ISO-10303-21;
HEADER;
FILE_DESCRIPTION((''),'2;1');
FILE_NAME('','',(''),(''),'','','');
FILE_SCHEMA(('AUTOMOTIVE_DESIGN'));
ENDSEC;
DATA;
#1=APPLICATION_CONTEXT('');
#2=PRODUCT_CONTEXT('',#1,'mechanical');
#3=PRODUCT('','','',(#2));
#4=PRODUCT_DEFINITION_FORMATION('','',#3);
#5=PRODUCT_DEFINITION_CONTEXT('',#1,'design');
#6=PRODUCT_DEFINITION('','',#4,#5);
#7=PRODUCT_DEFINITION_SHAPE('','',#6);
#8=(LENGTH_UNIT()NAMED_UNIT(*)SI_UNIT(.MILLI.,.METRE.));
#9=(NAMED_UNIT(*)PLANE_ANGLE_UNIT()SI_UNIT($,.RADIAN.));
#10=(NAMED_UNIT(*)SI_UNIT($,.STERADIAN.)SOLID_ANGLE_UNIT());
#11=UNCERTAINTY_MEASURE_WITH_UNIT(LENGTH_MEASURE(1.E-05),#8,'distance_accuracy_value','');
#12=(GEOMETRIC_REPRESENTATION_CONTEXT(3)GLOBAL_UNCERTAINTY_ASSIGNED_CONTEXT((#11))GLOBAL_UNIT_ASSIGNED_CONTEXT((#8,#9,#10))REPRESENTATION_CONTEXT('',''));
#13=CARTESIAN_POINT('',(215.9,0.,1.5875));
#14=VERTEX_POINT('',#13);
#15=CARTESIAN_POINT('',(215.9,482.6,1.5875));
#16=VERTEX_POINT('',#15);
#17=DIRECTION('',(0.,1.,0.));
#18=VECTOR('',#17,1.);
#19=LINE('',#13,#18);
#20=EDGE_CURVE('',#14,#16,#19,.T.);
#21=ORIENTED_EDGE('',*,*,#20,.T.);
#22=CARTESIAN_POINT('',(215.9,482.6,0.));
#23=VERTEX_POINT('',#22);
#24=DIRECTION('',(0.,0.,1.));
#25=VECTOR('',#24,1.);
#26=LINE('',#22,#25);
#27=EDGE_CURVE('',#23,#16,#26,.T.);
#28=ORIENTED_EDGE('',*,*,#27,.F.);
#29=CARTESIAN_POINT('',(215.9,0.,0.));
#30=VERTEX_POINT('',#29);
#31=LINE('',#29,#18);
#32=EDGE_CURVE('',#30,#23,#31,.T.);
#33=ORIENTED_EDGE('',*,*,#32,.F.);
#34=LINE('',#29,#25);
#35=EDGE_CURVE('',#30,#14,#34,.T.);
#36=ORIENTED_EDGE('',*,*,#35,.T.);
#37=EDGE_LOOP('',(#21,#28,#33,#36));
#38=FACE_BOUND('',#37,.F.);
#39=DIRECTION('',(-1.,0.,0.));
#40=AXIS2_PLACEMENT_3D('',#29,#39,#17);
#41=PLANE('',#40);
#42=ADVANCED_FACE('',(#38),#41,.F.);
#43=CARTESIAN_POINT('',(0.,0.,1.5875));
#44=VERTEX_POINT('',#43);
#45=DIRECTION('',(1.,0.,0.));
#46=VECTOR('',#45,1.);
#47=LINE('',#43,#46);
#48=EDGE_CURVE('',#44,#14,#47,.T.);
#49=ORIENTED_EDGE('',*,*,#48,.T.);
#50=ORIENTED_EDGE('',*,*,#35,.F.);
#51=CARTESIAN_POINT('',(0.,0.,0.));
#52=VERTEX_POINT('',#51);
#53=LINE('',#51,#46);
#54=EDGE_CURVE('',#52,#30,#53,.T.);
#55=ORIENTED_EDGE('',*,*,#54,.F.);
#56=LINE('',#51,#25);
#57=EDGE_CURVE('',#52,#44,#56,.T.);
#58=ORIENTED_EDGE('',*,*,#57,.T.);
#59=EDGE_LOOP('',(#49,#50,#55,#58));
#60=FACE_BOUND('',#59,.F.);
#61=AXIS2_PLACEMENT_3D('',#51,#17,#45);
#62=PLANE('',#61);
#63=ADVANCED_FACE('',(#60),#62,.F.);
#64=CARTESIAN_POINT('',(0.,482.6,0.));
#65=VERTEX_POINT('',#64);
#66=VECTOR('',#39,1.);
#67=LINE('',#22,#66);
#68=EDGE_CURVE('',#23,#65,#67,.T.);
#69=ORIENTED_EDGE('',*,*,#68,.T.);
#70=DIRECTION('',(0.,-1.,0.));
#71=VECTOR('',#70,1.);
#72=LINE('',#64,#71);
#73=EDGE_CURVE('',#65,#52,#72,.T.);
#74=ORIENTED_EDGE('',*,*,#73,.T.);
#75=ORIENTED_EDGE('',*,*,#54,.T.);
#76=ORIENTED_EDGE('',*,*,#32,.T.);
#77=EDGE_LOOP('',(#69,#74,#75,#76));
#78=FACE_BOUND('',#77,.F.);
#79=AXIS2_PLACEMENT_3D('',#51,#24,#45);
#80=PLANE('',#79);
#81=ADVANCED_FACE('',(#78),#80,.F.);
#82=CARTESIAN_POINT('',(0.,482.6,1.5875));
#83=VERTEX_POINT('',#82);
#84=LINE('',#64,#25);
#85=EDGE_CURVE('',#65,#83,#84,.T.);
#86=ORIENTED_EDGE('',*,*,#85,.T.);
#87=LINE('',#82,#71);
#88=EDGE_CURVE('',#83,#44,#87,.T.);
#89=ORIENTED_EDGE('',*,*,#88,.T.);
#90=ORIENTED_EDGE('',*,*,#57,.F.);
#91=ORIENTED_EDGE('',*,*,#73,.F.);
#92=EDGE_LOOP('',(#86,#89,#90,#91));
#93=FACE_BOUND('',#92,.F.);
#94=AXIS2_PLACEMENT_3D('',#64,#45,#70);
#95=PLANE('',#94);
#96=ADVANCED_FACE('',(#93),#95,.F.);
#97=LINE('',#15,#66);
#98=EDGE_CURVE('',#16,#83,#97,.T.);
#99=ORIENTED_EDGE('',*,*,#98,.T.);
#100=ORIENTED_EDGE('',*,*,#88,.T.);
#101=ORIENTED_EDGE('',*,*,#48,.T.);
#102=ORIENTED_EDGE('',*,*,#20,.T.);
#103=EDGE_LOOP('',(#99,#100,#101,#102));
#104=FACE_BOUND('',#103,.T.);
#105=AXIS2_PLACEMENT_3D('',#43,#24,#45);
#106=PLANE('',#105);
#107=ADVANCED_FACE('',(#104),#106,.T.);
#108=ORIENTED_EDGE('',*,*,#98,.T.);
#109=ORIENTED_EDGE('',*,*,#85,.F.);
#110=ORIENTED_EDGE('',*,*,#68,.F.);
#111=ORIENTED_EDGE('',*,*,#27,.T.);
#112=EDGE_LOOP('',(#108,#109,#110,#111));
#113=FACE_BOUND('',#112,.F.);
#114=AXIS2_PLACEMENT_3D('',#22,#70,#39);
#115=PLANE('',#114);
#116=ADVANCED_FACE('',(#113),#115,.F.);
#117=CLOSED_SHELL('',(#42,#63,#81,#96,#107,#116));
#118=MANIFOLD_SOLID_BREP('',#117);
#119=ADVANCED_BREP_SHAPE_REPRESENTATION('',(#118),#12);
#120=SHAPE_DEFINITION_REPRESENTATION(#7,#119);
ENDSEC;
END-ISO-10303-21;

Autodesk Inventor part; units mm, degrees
ref_plane "YZ Plane" through (0, 0, 0) normal (1, 0, 0) x (0, 1, 0)
ref_plane "XZ Plane" through (0, 0, 0) normal (0, 1, 0) x (-1, 0, 0)
ref_plane "XY Plane" through (0, 0, 0) normal (0, 0, 1) x (1, 0, 0)
sketch "Sketch1" plane through (0, 0, 0) normal (0, 0, 1) x (1, 0, 0)
  line L0 (0, 0) -> (215.9, 0)
  line L1 (215.9, 0) -> (215.9, 482.6)
  line L2 (215.9, 482.6) -> (0, 482.6)
  line L3 (0, 482.6) -> (0, 0)
  dimension "d0" = 215.9
  dimension "d1" = 482.6
extrude "Extrusion1" add sketch "Sketch1" along normal blind 1.5875
properties part number "Ball Retainer Polycarb 19 x 8 5"
